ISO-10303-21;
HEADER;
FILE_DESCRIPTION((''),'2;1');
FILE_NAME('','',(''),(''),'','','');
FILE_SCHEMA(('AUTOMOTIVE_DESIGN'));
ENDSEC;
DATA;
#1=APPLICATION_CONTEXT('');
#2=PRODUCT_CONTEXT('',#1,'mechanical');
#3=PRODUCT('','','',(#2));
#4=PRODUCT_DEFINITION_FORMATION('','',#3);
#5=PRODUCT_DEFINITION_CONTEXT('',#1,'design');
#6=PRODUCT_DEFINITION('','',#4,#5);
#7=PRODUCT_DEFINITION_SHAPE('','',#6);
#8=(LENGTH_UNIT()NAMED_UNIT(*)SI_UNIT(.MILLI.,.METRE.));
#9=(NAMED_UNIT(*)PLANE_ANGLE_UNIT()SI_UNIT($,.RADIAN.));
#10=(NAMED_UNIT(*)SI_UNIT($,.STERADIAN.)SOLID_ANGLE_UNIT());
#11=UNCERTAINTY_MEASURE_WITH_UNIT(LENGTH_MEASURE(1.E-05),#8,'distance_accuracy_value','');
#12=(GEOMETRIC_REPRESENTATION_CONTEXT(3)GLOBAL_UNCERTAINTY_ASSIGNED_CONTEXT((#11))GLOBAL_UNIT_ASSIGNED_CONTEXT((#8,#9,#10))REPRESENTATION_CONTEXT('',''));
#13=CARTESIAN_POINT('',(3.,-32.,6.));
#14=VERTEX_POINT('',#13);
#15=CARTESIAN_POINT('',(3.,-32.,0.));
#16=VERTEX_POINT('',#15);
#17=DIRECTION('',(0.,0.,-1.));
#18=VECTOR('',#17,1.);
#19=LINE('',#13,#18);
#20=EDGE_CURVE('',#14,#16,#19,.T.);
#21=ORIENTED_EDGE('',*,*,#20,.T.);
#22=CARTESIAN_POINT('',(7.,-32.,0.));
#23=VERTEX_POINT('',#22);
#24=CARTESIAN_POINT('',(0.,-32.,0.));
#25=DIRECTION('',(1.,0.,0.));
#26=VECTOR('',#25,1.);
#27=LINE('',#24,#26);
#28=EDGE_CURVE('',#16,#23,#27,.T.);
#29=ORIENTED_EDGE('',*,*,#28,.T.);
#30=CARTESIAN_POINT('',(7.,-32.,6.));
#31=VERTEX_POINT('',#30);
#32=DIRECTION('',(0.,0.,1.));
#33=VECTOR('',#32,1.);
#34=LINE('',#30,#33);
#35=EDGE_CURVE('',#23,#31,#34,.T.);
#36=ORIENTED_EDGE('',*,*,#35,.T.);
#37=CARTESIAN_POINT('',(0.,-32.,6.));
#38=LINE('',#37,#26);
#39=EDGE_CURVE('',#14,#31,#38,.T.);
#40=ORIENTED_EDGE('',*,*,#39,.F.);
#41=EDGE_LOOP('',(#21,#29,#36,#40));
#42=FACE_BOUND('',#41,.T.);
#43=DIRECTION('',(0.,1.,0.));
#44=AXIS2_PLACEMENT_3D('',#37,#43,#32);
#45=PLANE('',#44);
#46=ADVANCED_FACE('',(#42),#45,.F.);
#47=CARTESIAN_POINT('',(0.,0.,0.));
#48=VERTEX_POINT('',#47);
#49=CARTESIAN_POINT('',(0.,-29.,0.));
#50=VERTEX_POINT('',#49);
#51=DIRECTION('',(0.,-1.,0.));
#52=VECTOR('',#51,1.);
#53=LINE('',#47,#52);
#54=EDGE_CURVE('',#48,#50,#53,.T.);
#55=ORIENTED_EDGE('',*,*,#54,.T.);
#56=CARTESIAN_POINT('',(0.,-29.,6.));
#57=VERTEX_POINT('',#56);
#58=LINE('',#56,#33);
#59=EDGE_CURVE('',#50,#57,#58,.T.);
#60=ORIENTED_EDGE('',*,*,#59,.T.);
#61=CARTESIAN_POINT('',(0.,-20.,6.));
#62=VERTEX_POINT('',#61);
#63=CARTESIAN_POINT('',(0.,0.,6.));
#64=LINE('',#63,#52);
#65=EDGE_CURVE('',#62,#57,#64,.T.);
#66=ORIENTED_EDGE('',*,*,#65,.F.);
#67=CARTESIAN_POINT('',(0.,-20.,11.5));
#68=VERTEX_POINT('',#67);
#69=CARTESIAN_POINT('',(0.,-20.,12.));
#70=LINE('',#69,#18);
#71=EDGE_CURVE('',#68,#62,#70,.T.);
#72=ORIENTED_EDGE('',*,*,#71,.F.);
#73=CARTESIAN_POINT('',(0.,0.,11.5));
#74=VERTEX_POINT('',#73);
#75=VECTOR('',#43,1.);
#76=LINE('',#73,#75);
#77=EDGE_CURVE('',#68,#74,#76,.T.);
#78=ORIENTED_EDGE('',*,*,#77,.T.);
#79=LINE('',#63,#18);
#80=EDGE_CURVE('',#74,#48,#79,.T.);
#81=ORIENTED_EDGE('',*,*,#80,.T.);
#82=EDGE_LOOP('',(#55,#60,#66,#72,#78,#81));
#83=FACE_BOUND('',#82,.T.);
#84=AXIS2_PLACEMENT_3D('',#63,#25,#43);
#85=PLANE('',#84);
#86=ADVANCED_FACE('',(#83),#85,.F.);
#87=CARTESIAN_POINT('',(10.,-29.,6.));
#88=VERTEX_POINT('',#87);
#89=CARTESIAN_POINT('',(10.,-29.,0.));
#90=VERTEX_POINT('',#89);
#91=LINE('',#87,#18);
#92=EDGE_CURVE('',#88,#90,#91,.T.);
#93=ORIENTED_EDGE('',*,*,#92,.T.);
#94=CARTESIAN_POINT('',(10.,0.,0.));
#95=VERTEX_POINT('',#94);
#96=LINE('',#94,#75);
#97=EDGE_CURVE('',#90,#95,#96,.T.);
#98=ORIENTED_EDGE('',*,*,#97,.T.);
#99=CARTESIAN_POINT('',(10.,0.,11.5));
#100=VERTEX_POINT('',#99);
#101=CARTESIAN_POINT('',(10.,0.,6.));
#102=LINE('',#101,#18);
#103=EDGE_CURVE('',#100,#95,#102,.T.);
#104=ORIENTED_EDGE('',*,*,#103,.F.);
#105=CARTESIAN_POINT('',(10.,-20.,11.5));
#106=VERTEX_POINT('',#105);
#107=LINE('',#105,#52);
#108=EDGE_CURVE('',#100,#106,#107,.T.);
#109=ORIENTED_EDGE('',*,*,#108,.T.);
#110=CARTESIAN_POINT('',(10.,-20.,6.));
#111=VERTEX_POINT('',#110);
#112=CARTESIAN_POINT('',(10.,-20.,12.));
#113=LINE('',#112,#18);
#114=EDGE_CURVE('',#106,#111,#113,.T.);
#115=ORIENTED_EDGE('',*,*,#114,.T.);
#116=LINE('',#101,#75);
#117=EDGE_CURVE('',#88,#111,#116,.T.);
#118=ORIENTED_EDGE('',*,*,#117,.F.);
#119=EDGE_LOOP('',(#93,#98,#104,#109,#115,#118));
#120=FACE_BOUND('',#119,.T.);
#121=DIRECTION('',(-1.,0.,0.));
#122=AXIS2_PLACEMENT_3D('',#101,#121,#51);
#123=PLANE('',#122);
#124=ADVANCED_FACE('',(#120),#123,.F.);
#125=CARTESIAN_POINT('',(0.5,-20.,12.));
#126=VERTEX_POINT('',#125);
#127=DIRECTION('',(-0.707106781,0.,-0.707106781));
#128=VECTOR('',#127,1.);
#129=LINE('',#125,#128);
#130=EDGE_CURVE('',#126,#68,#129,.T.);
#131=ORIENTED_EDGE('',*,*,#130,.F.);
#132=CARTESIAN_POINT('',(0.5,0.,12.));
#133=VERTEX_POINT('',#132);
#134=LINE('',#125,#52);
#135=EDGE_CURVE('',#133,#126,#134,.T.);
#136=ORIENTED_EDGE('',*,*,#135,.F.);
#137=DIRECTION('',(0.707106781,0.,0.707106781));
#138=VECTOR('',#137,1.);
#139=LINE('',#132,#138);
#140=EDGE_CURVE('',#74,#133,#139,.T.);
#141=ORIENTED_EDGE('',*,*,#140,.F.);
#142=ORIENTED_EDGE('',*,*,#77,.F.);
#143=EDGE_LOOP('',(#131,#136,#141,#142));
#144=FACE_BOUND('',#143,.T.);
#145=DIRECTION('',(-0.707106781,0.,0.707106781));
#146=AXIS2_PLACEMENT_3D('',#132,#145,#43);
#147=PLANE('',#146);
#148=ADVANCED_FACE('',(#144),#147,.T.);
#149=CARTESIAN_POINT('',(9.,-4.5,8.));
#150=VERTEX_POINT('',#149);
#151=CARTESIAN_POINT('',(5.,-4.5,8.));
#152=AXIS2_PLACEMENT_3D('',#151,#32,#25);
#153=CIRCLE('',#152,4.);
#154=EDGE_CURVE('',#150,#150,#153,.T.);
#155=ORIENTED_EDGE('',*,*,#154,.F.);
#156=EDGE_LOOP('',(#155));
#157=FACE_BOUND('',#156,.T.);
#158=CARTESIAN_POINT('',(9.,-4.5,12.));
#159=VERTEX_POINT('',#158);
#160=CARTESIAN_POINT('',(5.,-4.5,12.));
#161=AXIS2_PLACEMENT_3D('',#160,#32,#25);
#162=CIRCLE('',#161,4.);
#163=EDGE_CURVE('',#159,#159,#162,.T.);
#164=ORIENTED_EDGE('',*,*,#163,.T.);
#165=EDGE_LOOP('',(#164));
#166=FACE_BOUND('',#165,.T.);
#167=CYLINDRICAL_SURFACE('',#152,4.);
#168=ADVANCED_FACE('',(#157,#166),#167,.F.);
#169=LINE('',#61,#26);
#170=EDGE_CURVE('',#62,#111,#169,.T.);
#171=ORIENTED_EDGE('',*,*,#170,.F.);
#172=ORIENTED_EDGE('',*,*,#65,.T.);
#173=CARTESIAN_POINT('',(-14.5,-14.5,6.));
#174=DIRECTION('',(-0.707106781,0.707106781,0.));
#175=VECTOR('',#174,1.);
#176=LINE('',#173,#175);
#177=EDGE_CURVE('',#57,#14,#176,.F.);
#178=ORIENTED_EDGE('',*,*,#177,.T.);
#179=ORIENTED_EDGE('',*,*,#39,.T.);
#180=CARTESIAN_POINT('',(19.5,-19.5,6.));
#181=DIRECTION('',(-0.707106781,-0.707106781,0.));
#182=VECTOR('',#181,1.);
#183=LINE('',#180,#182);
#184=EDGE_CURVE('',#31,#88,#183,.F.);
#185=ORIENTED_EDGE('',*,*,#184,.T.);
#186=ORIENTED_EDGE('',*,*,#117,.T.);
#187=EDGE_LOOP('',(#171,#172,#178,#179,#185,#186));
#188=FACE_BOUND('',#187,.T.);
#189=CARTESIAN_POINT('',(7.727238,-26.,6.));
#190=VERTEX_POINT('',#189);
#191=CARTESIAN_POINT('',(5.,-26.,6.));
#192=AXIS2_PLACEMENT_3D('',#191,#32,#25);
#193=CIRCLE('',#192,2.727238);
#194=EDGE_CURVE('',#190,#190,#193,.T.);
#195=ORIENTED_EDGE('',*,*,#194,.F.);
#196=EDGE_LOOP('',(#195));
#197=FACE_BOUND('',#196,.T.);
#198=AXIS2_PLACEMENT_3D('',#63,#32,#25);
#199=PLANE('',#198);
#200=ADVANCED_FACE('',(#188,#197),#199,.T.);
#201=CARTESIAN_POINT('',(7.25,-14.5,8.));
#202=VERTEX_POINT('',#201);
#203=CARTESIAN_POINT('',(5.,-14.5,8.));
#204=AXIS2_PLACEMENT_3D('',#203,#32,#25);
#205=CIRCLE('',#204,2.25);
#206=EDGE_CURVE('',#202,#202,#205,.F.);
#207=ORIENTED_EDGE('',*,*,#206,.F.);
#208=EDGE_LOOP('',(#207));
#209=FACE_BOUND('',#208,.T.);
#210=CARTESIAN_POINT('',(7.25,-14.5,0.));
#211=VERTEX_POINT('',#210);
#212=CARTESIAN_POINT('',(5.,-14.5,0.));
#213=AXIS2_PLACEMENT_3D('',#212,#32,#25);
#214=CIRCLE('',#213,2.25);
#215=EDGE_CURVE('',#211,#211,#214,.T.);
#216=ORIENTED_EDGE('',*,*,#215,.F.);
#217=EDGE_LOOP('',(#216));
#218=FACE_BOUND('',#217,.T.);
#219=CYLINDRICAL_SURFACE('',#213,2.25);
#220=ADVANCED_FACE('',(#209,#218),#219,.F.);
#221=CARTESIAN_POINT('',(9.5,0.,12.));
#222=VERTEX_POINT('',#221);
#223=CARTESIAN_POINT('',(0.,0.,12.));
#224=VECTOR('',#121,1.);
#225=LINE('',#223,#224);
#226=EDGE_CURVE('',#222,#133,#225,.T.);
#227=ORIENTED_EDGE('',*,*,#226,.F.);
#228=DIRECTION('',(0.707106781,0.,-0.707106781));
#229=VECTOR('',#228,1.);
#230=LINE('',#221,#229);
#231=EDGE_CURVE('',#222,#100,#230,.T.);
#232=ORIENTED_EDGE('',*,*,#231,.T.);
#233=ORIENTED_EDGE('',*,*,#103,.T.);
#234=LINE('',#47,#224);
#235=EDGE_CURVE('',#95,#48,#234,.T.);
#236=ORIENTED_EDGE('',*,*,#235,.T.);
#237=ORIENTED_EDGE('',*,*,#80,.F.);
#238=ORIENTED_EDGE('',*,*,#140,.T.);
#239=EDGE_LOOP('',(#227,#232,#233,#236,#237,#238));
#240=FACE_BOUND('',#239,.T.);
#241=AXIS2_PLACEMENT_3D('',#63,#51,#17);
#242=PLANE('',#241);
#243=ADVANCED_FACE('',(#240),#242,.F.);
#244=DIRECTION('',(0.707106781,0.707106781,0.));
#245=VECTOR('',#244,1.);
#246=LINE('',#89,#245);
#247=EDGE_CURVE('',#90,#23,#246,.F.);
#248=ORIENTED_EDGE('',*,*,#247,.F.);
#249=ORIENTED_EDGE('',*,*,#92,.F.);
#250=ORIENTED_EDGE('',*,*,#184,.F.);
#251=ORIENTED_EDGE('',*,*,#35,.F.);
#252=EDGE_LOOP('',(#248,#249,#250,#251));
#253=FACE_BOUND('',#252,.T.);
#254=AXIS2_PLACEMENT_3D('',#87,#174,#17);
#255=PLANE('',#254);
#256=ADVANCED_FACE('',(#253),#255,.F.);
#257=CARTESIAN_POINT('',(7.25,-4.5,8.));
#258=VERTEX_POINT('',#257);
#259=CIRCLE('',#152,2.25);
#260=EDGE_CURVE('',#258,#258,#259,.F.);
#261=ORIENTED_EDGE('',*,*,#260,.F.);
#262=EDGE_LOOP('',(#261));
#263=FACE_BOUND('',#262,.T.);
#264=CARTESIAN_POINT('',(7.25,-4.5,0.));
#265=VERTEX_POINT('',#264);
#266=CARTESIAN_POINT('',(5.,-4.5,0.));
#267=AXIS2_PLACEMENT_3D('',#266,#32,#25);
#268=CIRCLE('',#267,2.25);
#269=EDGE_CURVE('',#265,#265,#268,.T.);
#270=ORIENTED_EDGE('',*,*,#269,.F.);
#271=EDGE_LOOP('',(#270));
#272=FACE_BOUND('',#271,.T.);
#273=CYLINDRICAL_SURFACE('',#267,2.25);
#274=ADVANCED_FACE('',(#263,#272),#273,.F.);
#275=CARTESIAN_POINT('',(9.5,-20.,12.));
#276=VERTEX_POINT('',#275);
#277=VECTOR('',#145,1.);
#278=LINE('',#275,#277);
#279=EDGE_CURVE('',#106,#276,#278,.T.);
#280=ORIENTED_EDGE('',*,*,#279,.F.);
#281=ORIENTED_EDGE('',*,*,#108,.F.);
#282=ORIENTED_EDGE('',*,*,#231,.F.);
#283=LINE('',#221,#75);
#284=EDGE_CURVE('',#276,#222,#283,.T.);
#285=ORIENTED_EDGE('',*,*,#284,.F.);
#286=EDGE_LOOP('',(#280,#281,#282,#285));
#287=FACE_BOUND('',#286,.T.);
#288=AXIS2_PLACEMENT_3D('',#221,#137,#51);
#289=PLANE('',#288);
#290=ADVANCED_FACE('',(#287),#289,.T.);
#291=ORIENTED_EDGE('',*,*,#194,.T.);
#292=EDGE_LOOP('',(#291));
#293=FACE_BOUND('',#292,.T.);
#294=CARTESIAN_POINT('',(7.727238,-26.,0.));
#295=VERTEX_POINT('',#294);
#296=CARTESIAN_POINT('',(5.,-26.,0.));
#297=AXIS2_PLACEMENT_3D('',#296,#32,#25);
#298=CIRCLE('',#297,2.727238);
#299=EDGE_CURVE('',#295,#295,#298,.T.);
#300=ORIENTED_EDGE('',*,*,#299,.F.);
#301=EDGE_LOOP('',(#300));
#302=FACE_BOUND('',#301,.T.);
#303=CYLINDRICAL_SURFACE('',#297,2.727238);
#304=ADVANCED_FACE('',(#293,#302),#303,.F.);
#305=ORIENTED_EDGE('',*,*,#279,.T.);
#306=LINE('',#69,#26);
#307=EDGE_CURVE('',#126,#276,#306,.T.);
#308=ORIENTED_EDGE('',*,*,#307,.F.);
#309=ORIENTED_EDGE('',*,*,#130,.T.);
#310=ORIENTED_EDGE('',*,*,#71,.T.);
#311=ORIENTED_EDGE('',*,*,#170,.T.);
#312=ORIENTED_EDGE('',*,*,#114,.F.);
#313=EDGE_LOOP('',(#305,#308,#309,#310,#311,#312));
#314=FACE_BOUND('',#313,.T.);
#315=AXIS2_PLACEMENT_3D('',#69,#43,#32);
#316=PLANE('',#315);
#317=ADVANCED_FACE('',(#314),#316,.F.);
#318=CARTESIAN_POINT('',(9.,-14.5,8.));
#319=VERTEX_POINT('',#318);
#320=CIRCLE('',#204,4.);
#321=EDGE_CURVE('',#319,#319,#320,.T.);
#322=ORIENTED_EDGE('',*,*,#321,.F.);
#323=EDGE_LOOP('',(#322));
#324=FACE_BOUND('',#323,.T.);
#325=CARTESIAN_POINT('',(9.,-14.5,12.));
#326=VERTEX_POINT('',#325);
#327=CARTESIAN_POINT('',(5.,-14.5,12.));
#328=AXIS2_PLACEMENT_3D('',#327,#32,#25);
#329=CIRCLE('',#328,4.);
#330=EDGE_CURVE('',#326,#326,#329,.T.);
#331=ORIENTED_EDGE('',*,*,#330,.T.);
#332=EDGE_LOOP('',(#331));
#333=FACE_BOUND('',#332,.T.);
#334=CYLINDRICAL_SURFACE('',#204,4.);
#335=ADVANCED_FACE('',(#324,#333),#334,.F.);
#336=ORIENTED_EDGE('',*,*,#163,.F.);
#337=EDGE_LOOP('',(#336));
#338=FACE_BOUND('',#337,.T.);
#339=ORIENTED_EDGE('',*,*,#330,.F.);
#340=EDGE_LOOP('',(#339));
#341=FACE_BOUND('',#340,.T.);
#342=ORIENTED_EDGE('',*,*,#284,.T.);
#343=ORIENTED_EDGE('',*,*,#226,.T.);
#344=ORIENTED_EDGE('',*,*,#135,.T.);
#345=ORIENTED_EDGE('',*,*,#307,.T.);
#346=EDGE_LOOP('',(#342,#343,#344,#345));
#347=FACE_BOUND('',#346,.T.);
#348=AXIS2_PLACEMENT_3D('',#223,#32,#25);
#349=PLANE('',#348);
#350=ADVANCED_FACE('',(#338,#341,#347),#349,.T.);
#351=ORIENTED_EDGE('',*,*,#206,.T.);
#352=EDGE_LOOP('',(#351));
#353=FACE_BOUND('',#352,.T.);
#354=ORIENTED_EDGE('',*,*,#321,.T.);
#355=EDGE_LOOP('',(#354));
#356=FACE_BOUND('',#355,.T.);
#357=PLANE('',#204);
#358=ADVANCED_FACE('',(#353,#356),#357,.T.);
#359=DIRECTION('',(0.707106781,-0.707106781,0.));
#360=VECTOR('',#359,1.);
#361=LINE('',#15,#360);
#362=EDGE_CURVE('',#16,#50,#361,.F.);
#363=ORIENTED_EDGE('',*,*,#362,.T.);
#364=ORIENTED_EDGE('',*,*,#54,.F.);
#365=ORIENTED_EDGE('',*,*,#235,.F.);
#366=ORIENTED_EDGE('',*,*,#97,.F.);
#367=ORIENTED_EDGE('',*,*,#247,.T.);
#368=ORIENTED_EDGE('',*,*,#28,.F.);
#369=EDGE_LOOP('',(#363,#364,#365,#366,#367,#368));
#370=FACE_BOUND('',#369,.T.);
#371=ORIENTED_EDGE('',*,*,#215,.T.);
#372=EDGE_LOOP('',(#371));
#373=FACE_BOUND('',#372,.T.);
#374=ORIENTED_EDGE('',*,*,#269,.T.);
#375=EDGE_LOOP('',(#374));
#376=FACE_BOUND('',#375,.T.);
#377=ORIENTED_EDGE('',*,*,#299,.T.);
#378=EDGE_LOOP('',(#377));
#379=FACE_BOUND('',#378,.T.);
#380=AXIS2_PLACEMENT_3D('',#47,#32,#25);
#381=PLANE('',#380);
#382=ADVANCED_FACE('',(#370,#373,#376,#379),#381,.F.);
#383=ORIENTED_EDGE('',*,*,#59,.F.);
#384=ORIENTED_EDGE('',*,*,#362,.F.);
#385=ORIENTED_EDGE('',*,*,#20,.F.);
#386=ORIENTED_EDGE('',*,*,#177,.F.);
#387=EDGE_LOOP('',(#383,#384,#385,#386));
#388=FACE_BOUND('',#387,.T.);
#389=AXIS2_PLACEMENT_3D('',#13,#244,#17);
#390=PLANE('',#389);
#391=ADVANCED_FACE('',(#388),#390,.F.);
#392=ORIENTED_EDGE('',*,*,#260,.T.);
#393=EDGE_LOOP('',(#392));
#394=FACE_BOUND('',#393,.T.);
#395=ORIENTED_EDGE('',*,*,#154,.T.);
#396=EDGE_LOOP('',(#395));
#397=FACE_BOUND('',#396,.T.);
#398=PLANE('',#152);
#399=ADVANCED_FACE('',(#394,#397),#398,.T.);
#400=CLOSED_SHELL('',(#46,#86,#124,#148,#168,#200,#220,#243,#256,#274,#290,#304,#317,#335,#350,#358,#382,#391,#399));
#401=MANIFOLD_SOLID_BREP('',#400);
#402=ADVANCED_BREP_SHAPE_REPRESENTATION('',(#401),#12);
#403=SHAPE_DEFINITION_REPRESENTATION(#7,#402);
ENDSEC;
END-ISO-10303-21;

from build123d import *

# Parameters (mm, degrees)
SKETCH1_W           = 10
SKETCH1_H           = 32
BOSS_EXTRUDE1_DEPTH = 6
SKETCH2_W           = 10
SKETCH2_H           = 20
BOSS_EXTRUDE2_DEPTH = 6
SKETCH3_R           = 2.25
CUT_EXTRUDE1_DEPTH  = 13
SKETCH4_R           = 4
CUT_EXTRUDE2_DEPTH  = 4
CHAMFER1_SIZE       = 3
CHAMFER2_SIZE       = 0.5
SKETCH5_R           = 2.727238267
CUT_EXTRUDE3_DEPTH  = 7


with BuildPart() as part:
    # Sketch1 → Boss-Extrude1 (new body)
    with BuildSketch(Plane.XY):
        with Locations((5, -16)):
            Rectangle(SKETCH1_W, SKETCH1_H)
    extrude(amount=BOSS_EXTRUDE1_DEPTH)

    # Sketch2 → Boss-Extrude2 (add)
    with BuildSketch(Plane.XY.offset(6)):
        with Locations((5, -10)):
            Rectangle(SKETCH2_W, SKETCH2_H)
    extrude(amount=BOSS_EXTRUDE2_DEPTH)

    # Sketch3 → Cut-Extrude1 (cut, through all)
    with BuildSketch(Plane.XY.offset(12)):
        with Locations((5, -4.5)):
            Circle(SKETCH3_R)
        with Locations((5, -14.5)):
            Circle(SKETCH3_R)
    extrude(amount=-CUT_EXTRUDE1_DEPTH, mode=Mode.SUBTRACT)

    # Sketch4 → Cut-Extrude2 (cut)
    with BuildSketch(Plane.XY.offset(12)):
        with Locations((5, -4.5)):
            Circle(SKETCH4_R)
        with Locations((5, -14.5)):
            Circle(SKETCH4_R)
    extrude(amount=-CUT_EXTRUDE2_DEPTH, mode=Mode.SUBTRACT)

    # Chamfer1
    chamfer1_edges = [part.edges().sort_by_distance(p)[0] for p in [
        (10, -32, 3),
        (0, -32, 3),
    ]]
    chamfer(chamfer1_edges, length=CHAMFER1_SIZE)

    # Chamfer2
    chamfer2_edges = [part.edges().sort_by_distance(p)[0] for p in [
        (0, -10, 12),
        (10, -10, 12),
    ]]
    chamfer(chamfer2_edges, length=CHAMFER2_SIZE)

    # Sketch5 → Cut-Extrude3 (cut, through all)
    with BuildSketch(Plane.XY.offset(6)):
        with Locations((5, -26)):
            Circle(SKETCH5_R)
    extrude(amount=-CUT_EXTRUDE3_DEPTH, mode=Mode.SUBTRACT)


solid = part.part
